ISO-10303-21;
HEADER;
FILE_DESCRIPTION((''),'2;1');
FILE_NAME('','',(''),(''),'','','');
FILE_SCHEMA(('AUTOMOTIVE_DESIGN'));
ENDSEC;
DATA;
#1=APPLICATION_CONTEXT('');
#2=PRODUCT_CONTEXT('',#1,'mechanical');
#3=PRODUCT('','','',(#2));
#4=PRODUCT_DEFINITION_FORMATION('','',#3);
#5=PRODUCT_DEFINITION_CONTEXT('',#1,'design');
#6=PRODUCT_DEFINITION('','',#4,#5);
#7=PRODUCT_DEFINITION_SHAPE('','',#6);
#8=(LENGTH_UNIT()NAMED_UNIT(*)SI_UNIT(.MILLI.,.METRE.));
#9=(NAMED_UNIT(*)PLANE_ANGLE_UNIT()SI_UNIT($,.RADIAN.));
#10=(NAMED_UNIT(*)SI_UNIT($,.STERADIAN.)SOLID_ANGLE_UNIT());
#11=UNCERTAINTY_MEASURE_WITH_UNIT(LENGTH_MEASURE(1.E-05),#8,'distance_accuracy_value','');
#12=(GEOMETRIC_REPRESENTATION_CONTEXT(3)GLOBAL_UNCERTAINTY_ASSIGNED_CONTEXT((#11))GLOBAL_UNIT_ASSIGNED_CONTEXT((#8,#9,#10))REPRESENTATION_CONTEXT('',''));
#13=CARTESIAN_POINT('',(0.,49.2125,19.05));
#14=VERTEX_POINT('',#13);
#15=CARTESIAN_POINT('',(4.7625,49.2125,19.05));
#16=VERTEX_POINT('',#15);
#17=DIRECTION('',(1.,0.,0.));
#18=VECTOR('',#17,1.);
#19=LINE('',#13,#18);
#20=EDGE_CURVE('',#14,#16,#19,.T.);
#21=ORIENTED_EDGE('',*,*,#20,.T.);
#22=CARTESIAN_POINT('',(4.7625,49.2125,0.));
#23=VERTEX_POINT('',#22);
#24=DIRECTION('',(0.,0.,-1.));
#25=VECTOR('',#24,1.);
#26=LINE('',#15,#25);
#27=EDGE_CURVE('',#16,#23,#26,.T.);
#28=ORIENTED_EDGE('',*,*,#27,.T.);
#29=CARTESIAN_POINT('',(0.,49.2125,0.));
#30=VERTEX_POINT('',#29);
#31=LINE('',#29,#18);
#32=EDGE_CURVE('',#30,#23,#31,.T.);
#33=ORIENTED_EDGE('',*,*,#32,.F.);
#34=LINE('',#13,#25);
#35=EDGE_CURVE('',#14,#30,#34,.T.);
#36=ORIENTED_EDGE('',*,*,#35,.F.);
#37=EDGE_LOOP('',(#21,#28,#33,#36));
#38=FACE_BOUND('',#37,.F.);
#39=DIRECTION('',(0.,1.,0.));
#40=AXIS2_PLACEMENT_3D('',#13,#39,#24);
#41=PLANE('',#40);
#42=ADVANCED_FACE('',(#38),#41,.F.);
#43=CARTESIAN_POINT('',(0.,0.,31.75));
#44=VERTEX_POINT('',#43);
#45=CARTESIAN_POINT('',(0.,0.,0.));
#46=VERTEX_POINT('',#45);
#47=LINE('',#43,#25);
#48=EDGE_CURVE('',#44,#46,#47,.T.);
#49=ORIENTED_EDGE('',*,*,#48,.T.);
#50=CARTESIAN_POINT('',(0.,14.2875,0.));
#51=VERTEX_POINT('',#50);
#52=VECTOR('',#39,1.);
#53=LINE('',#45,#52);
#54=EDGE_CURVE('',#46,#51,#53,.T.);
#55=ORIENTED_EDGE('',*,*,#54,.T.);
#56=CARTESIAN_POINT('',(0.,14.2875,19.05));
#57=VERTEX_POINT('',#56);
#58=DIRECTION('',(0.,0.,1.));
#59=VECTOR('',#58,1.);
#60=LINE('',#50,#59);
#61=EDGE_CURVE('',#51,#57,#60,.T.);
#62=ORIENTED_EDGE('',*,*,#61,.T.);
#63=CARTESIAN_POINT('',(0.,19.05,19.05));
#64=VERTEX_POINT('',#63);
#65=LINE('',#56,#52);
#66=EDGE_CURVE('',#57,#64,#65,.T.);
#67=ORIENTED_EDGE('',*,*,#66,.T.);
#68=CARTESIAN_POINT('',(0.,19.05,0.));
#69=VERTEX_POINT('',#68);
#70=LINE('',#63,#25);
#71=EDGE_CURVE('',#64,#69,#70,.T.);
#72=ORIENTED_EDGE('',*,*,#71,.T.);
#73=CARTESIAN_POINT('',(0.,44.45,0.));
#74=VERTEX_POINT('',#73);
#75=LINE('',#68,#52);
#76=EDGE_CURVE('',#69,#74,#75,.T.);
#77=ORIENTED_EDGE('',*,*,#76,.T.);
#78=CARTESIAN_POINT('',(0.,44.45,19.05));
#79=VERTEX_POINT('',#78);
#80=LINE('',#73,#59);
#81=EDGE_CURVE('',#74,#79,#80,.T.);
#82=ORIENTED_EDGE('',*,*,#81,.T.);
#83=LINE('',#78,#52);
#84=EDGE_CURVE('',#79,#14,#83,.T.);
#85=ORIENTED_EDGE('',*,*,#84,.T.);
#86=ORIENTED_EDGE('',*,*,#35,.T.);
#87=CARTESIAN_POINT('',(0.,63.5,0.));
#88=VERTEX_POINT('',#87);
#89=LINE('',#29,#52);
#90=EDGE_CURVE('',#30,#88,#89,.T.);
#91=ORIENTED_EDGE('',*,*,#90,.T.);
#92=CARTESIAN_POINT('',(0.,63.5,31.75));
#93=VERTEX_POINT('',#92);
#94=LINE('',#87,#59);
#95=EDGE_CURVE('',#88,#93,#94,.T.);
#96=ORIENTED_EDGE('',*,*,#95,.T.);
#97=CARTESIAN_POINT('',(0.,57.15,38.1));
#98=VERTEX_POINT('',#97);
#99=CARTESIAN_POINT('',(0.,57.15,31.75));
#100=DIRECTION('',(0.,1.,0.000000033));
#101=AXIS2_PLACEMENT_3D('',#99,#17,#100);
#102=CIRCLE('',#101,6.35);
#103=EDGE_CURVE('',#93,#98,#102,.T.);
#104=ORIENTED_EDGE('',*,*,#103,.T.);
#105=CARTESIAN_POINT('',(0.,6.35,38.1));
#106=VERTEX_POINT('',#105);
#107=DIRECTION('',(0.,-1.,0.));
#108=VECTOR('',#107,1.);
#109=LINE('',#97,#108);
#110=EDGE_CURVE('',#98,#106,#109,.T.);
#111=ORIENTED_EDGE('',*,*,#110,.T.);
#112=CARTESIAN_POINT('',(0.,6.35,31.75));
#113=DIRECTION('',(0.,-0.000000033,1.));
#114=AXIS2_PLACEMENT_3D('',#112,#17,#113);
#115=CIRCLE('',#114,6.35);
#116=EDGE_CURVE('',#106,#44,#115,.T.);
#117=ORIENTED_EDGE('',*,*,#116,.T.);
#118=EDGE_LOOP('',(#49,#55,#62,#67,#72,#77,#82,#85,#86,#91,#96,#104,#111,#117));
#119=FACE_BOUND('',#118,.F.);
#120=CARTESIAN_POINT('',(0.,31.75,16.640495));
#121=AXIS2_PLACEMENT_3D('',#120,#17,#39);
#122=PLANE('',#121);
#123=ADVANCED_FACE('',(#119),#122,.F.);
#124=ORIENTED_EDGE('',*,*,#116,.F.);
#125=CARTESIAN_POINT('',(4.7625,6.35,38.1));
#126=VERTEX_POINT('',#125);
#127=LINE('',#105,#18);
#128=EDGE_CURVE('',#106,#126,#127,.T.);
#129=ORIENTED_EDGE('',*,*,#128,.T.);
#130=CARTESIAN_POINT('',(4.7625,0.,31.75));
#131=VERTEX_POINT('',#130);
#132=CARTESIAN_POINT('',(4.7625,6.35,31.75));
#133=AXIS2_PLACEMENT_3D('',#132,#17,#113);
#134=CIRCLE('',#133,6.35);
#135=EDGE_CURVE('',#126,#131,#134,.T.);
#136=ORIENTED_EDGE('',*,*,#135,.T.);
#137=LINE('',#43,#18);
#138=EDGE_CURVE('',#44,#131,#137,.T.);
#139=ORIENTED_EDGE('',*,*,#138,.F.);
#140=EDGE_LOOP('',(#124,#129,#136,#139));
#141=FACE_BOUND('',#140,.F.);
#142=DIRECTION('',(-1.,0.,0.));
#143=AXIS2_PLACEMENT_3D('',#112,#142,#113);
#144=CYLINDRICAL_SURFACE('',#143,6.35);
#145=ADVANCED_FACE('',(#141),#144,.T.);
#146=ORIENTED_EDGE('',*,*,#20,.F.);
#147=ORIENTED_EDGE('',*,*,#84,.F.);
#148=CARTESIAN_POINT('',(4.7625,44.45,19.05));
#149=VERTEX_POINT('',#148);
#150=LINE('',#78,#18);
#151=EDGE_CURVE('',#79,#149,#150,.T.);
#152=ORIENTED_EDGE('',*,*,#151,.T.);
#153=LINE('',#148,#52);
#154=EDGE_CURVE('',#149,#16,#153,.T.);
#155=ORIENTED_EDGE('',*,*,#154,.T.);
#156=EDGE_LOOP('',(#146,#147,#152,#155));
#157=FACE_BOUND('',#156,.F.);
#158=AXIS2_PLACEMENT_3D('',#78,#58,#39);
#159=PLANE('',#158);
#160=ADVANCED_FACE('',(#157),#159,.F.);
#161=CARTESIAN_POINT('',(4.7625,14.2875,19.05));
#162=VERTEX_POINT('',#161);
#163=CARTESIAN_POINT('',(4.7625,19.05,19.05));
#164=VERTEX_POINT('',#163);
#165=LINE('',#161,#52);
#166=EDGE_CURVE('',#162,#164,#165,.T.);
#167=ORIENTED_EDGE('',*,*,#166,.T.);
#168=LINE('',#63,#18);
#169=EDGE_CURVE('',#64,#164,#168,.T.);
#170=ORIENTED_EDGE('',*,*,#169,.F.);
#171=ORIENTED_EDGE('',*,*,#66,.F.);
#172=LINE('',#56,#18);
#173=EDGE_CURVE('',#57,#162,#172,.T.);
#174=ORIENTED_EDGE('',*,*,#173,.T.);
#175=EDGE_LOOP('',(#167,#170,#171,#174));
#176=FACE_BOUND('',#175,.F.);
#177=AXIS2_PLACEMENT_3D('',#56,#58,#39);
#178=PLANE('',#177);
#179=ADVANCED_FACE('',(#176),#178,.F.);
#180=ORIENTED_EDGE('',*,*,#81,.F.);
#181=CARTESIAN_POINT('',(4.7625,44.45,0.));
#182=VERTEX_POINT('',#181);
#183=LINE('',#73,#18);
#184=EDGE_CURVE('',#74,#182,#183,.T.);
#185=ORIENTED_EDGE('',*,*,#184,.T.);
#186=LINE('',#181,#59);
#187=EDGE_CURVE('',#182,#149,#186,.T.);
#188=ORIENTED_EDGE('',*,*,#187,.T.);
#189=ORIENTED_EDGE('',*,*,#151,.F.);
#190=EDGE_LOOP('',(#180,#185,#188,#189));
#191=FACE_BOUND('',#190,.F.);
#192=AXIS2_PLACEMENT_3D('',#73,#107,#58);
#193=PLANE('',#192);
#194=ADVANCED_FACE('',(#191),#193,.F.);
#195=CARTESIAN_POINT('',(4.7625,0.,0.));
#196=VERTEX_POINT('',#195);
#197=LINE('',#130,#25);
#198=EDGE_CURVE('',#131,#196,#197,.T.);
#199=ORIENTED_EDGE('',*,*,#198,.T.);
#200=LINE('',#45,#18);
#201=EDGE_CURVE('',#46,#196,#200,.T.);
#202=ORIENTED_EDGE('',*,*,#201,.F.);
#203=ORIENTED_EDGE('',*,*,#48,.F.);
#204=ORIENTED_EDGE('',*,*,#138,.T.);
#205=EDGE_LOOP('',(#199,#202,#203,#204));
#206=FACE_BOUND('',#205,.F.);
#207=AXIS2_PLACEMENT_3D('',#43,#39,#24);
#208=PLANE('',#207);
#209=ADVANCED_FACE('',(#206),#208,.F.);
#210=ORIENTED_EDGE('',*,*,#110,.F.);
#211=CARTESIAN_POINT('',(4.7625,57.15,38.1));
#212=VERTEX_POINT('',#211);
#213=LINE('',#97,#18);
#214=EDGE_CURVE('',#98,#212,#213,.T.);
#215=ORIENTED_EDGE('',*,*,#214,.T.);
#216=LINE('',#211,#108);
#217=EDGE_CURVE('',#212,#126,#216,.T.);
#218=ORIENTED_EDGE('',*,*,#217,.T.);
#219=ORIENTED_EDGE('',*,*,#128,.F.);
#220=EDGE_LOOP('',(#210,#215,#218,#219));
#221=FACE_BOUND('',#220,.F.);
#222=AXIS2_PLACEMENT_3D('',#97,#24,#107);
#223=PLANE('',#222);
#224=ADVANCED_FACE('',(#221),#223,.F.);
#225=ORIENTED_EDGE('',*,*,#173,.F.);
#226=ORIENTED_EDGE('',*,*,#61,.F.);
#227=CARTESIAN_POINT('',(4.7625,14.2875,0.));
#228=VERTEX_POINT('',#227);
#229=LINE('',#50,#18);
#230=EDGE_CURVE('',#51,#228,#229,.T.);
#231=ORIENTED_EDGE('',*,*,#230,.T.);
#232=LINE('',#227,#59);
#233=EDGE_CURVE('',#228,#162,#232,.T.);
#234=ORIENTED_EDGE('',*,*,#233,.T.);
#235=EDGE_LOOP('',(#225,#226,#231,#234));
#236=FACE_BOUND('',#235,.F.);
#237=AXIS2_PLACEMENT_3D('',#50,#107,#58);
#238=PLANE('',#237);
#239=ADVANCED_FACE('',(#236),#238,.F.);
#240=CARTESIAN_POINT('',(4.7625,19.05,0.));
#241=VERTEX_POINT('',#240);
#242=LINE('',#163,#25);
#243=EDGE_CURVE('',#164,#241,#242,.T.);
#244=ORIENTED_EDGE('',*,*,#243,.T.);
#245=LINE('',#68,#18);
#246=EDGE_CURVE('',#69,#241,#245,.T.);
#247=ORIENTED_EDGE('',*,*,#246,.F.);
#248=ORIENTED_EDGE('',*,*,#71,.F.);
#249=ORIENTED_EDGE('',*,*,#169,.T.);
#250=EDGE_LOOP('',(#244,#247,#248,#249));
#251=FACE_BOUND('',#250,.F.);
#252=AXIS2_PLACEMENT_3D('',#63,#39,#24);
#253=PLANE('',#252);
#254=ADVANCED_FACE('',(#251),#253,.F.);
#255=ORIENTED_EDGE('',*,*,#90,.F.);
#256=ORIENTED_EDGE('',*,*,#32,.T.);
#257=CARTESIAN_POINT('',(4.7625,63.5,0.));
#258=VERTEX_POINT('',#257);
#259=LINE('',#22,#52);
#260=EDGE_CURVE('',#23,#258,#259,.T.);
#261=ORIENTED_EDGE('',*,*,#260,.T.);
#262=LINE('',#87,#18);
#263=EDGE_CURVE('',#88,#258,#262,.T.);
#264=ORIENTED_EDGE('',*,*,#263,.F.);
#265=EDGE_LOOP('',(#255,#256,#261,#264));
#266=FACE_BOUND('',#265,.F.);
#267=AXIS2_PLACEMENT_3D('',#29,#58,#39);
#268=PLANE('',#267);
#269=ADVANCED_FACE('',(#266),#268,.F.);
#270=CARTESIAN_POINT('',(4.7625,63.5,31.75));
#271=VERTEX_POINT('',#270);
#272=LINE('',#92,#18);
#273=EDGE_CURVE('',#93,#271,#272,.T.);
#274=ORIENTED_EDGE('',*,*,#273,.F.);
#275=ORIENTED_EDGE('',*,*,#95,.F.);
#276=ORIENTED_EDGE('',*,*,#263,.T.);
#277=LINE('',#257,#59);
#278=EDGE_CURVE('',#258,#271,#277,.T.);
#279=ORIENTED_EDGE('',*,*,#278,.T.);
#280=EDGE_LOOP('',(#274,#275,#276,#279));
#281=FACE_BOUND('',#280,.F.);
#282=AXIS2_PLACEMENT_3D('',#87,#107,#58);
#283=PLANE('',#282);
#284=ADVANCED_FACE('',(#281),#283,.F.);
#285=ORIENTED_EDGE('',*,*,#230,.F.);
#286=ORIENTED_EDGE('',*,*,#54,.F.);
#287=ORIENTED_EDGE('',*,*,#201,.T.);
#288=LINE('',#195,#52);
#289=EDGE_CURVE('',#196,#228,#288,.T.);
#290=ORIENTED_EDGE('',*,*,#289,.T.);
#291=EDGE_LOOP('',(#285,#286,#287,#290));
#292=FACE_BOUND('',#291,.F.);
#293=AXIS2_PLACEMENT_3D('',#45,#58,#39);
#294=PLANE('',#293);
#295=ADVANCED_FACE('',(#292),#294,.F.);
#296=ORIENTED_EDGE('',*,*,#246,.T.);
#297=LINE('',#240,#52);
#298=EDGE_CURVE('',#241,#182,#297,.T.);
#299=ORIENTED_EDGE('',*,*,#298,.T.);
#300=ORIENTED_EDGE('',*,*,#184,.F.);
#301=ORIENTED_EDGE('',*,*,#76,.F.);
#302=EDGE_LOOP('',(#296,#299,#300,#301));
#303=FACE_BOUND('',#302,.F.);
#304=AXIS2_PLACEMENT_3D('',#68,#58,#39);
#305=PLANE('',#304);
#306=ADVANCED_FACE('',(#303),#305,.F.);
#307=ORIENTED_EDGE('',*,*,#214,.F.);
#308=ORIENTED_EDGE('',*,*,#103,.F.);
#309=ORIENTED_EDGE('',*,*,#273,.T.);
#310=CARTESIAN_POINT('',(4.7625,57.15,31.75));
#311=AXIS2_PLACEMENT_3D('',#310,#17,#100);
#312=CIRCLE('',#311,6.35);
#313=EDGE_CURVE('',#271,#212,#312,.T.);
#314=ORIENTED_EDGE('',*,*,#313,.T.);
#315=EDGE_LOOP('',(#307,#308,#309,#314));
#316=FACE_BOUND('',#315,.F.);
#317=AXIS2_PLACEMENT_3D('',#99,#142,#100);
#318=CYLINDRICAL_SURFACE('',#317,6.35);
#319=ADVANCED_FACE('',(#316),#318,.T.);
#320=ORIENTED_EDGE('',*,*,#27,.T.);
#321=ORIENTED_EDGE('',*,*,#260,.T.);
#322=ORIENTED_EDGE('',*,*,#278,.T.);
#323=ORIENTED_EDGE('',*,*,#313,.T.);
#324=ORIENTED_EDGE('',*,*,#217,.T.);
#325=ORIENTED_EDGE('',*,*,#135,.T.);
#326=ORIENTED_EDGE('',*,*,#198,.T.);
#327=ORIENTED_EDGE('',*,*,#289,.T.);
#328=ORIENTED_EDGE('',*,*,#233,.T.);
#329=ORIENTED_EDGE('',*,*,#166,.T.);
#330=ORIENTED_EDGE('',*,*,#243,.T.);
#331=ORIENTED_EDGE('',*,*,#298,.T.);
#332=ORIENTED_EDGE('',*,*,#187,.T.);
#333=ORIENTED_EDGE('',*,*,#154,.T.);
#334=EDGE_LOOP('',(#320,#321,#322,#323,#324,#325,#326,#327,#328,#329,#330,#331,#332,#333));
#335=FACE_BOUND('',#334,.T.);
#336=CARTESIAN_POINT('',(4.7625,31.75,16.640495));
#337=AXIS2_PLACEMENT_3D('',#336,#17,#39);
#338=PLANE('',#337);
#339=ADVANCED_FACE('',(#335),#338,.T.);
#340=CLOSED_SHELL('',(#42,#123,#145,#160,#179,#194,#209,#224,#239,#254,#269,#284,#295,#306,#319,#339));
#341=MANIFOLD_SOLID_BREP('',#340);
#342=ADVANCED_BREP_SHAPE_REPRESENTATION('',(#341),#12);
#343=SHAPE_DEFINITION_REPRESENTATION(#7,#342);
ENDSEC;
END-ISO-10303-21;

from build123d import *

# Parameters (mm, degrees)
F1_DEPTH = 4.7625


with BuildPart() as f1:
    # F0 (on Right) → F1 (new body)
    with BuildSketch(Plane.YZ):
        with BuildLine():
            Line((0, 31.75), (0, 0))
            Line((0, 0), (14.2875, 0))
            Line((14.2875, 0), (14.2875, 19.05))
            Line((14.2875, 19.05), (19.05, 19.05))
            Line((19.05, 19.05), (19.05, 0))
            Line((19.05, 0), (44.45, 0))
            Line((44.45, 0), (44.45, 19.05))
            Line((44.45, 19.05), (49.2125, 19.05))
            Line((49.2125, 19.05), (49.2125, 0))
            Line((49.2125, 0), (63.5, 0))
            Line((63.5, 0), (63.5, 31.75))
            ThreePointArc((63.5, 31.75), (61.640128, 36.240128), (57.15, 38.1))
            Line((57.15, 38.1), (6.35, 38.1))
            ThreePointArc((6.35, 38.1), (1.859872, 36.240128), (0, 31.75))
        make_face()
    extrude(amount=F1_DEPTH)


solid = f1.part
